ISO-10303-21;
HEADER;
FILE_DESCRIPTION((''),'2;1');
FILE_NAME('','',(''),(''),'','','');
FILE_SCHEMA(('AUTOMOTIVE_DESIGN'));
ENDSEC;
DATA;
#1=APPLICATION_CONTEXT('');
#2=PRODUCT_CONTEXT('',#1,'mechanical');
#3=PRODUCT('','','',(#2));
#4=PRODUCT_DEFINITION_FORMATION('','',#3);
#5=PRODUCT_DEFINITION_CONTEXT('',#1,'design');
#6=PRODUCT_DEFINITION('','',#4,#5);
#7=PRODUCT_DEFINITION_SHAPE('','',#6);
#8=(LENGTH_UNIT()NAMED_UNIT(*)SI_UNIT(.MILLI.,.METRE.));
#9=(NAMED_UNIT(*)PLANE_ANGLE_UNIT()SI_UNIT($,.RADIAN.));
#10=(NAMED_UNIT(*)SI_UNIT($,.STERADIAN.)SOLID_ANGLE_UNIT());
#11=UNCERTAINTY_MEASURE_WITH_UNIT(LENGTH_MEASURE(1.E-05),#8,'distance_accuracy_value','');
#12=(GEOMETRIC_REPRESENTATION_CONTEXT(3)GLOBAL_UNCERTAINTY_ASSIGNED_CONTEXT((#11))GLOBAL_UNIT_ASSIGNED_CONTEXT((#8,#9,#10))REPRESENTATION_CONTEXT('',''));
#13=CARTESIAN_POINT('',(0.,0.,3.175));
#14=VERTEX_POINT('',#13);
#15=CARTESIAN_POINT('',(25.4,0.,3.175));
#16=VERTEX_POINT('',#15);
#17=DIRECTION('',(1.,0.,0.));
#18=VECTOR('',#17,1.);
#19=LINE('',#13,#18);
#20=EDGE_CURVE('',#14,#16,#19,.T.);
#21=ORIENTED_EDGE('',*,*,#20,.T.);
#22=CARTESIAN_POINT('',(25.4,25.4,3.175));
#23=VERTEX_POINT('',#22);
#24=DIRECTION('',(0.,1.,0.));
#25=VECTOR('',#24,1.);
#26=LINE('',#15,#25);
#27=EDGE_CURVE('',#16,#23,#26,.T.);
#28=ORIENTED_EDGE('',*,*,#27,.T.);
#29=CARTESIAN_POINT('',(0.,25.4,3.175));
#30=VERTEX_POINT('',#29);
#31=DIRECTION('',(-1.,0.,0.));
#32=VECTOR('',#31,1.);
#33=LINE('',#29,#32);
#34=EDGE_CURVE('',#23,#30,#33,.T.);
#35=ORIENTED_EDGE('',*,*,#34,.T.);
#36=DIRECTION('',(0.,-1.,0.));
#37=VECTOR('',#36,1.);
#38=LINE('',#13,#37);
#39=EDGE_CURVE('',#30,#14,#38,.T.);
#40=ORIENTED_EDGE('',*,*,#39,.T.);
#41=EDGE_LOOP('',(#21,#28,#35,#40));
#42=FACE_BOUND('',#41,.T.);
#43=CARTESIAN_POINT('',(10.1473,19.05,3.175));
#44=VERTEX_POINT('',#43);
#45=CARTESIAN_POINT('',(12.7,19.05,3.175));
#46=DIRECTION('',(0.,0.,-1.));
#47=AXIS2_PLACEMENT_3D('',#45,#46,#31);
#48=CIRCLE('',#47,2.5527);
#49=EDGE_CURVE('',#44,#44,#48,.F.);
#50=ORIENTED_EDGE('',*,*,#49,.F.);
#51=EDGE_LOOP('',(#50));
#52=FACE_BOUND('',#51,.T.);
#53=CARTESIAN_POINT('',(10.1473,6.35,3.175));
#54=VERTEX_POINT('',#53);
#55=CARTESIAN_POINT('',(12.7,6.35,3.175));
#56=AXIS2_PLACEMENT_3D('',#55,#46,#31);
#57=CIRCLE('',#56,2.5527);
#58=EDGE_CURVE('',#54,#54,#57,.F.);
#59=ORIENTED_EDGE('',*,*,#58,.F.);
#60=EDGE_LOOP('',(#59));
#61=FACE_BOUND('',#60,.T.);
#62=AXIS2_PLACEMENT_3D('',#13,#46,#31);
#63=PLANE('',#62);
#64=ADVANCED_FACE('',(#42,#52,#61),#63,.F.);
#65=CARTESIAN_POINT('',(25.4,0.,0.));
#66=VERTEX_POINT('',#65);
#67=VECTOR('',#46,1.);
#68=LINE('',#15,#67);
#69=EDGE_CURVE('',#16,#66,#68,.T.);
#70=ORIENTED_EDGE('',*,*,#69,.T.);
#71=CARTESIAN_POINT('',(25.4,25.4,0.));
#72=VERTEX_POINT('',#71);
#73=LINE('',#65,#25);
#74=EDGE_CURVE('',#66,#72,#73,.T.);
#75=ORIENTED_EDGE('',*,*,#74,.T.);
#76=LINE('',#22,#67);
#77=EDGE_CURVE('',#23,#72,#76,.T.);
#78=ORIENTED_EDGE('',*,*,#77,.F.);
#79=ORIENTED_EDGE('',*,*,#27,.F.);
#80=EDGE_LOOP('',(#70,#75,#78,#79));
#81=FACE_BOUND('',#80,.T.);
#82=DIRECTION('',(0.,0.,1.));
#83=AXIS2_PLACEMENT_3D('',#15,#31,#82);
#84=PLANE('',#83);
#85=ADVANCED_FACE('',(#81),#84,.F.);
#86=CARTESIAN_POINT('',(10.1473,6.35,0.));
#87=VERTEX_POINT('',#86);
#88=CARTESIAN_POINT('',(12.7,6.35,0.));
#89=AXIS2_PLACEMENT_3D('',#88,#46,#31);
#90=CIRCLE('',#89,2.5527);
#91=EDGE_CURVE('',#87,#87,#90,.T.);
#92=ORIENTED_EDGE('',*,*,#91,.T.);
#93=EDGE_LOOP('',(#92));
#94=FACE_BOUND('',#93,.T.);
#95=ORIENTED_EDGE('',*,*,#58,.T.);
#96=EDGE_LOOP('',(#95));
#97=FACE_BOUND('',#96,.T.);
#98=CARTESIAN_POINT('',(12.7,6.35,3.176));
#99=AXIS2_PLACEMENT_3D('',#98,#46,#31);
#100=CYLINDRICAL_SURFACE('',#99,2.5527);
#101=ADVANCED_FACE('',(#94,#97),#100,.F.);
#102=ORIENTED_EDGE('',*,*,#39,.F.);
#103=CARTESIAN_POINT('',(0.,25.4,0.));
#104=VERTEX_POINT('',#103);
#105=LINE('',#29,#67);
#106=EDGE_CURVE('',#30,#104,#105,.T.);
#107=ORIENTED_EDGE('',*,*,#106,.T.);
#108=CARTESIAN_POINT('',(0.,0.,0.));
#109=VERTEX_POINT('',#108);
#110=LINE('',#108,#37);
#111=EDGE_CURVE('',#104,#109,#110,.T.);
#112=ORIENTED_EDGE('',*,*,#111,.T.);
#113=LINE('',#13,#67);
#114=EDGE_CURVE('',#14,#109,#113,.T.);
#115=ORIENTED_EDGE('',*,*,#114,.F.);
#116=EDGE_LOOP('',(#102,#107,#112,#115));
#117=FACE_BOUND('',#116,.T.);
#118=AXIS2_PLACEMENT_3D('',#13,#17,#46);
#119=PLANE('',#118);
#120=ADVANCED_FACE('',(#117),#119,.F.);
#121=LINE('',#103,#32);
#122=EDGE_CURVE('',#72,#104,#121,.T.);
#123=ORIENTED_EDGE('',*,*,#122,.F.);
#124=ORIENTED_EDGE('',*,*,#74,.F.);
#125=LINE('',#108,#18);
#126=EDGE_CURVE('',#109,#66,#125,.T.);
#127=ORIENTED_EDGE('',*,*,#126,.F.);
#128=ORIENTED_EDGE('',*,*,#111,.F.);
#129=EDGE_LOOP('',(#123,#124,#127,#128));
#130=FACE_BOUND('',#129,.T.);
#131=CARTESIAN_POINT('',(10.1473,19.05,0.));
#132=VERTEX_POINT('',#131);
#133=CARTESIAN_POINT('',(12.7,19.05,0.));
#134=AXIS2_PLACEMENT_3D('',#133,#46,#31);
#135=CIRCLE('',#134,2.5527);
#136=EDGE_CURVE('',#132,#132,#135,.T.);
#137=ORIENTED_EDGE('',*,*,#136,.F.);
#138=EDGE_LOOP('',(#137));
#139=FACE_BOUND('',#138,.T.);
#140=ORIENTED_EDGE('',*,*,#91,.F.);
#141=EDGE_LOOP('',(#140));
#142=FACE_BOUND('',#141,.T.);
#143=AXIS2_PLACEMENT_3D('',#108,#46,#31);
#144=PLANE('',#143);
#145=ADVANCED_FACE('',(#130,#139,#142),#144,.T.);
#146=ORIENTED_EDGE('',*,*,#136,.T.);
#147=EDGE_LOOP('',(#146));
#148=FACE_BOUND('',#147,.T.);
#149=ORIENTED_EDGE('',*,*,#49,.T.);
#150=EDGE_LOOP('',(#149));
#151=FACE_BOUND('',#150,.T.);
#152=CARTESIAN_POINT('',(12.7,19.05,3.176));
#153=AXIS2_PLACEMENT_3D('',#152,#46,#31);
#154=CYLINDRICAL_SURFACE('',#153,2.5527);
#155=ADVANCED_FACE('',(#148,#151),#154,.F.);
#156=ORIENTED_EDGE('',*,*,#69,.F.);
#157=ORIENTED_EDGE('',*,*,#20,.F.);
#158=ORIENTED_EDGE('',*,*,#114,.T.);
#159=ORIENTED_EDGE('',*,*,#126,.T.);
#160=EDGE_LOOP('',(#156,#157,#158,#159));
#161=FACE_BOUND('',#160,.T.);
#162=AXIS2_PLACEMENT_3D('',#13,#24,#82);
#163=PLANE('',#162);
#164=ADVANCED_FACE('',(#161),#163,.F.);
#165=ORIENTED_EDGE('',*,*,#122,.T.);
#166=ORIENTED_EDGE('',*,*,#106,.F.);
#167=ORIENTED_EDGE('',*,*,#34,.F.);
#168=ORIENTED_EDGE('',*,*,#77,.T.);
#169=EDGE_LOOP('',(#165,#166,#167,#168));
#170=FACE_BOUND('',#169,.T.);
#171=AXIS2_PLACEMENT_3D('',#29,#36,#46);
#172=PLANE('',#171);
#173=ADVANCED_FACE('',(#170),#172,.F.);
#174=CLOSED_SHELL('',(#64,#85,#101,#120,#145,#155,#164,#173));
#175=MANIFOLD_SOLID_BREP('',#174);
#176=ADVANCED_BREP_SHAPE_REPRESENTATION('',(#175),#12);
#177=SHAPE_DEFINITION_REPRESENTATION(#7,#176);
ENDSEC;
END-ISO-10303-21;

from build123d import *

# Parameters (mm, degrees)
SKETCH1_W           = 25.4
SKETCH1_H           = 25.4
BOSS_EXTRUDE1_DEPTH = 3.175
CUT_EXTRUDE1_REACH  = 5.175
SKETCH2_R           = 2.5527


with BuildPart() as part:
    # Sketch1 → Boss-Extrude1 (new body)
    with BuildSketch(Plane.XY):
        with Locations((12.7, 12.7)):
            Rectangle(SKETCH1_W, SKETCH1_H)
    extrude(amount=BOSS_EXTRUDE1_DEPTH)

    # Sketch2 → Cut-Extrude1 (cut, up to next)
    with BuildSketch(Plane(origin=(0, 0, 0), x_dir=(-1, 0, 0), z_dir=(0, 0, -1)), mode=Mode.PRIVATE) as cut_extrude1_sk1:
        with Locations((-12.7, 6.35)):
            Circle(SKETCH2_R)
    cut_extrude1_tool1 = extrude(cut_extrude1_sk1.sketch, amount=-CUT_EXTRUDE1_REACH, mode=Mode.PRIVATE) & part.part
    add(cut_extrude1_tool1.solids().sort_by_distance((12.7, 6.35, 0))[0], mode=Mode.SUBTRACT)
    # Sketch2 → Cut-Extrude1 (cut, up to next)
    with BuildSketch(Plane(origin=(0, 0, 0), x_dir=(-1, 0, 0), z_dir=(0, 0, -1)), mode=Mode.PRIVATE) as cut_extrude1_sk2:
        with Locations((-12.7, 19.05)):
            Circle(SKETCH2_R)
    cut_extrude1_tool2 = extrude(cut_extrude1_sk2.sketch, amount=-CUT_EXTRUDE1_REACH, mode=Mode.PRIVATE) & part.part
    add(cut_extrude1_tool2.solids().sort_by_distance((12.7, 19.05, 0))[0], mode=Mode.SUBTRACT)


solid = part.part
